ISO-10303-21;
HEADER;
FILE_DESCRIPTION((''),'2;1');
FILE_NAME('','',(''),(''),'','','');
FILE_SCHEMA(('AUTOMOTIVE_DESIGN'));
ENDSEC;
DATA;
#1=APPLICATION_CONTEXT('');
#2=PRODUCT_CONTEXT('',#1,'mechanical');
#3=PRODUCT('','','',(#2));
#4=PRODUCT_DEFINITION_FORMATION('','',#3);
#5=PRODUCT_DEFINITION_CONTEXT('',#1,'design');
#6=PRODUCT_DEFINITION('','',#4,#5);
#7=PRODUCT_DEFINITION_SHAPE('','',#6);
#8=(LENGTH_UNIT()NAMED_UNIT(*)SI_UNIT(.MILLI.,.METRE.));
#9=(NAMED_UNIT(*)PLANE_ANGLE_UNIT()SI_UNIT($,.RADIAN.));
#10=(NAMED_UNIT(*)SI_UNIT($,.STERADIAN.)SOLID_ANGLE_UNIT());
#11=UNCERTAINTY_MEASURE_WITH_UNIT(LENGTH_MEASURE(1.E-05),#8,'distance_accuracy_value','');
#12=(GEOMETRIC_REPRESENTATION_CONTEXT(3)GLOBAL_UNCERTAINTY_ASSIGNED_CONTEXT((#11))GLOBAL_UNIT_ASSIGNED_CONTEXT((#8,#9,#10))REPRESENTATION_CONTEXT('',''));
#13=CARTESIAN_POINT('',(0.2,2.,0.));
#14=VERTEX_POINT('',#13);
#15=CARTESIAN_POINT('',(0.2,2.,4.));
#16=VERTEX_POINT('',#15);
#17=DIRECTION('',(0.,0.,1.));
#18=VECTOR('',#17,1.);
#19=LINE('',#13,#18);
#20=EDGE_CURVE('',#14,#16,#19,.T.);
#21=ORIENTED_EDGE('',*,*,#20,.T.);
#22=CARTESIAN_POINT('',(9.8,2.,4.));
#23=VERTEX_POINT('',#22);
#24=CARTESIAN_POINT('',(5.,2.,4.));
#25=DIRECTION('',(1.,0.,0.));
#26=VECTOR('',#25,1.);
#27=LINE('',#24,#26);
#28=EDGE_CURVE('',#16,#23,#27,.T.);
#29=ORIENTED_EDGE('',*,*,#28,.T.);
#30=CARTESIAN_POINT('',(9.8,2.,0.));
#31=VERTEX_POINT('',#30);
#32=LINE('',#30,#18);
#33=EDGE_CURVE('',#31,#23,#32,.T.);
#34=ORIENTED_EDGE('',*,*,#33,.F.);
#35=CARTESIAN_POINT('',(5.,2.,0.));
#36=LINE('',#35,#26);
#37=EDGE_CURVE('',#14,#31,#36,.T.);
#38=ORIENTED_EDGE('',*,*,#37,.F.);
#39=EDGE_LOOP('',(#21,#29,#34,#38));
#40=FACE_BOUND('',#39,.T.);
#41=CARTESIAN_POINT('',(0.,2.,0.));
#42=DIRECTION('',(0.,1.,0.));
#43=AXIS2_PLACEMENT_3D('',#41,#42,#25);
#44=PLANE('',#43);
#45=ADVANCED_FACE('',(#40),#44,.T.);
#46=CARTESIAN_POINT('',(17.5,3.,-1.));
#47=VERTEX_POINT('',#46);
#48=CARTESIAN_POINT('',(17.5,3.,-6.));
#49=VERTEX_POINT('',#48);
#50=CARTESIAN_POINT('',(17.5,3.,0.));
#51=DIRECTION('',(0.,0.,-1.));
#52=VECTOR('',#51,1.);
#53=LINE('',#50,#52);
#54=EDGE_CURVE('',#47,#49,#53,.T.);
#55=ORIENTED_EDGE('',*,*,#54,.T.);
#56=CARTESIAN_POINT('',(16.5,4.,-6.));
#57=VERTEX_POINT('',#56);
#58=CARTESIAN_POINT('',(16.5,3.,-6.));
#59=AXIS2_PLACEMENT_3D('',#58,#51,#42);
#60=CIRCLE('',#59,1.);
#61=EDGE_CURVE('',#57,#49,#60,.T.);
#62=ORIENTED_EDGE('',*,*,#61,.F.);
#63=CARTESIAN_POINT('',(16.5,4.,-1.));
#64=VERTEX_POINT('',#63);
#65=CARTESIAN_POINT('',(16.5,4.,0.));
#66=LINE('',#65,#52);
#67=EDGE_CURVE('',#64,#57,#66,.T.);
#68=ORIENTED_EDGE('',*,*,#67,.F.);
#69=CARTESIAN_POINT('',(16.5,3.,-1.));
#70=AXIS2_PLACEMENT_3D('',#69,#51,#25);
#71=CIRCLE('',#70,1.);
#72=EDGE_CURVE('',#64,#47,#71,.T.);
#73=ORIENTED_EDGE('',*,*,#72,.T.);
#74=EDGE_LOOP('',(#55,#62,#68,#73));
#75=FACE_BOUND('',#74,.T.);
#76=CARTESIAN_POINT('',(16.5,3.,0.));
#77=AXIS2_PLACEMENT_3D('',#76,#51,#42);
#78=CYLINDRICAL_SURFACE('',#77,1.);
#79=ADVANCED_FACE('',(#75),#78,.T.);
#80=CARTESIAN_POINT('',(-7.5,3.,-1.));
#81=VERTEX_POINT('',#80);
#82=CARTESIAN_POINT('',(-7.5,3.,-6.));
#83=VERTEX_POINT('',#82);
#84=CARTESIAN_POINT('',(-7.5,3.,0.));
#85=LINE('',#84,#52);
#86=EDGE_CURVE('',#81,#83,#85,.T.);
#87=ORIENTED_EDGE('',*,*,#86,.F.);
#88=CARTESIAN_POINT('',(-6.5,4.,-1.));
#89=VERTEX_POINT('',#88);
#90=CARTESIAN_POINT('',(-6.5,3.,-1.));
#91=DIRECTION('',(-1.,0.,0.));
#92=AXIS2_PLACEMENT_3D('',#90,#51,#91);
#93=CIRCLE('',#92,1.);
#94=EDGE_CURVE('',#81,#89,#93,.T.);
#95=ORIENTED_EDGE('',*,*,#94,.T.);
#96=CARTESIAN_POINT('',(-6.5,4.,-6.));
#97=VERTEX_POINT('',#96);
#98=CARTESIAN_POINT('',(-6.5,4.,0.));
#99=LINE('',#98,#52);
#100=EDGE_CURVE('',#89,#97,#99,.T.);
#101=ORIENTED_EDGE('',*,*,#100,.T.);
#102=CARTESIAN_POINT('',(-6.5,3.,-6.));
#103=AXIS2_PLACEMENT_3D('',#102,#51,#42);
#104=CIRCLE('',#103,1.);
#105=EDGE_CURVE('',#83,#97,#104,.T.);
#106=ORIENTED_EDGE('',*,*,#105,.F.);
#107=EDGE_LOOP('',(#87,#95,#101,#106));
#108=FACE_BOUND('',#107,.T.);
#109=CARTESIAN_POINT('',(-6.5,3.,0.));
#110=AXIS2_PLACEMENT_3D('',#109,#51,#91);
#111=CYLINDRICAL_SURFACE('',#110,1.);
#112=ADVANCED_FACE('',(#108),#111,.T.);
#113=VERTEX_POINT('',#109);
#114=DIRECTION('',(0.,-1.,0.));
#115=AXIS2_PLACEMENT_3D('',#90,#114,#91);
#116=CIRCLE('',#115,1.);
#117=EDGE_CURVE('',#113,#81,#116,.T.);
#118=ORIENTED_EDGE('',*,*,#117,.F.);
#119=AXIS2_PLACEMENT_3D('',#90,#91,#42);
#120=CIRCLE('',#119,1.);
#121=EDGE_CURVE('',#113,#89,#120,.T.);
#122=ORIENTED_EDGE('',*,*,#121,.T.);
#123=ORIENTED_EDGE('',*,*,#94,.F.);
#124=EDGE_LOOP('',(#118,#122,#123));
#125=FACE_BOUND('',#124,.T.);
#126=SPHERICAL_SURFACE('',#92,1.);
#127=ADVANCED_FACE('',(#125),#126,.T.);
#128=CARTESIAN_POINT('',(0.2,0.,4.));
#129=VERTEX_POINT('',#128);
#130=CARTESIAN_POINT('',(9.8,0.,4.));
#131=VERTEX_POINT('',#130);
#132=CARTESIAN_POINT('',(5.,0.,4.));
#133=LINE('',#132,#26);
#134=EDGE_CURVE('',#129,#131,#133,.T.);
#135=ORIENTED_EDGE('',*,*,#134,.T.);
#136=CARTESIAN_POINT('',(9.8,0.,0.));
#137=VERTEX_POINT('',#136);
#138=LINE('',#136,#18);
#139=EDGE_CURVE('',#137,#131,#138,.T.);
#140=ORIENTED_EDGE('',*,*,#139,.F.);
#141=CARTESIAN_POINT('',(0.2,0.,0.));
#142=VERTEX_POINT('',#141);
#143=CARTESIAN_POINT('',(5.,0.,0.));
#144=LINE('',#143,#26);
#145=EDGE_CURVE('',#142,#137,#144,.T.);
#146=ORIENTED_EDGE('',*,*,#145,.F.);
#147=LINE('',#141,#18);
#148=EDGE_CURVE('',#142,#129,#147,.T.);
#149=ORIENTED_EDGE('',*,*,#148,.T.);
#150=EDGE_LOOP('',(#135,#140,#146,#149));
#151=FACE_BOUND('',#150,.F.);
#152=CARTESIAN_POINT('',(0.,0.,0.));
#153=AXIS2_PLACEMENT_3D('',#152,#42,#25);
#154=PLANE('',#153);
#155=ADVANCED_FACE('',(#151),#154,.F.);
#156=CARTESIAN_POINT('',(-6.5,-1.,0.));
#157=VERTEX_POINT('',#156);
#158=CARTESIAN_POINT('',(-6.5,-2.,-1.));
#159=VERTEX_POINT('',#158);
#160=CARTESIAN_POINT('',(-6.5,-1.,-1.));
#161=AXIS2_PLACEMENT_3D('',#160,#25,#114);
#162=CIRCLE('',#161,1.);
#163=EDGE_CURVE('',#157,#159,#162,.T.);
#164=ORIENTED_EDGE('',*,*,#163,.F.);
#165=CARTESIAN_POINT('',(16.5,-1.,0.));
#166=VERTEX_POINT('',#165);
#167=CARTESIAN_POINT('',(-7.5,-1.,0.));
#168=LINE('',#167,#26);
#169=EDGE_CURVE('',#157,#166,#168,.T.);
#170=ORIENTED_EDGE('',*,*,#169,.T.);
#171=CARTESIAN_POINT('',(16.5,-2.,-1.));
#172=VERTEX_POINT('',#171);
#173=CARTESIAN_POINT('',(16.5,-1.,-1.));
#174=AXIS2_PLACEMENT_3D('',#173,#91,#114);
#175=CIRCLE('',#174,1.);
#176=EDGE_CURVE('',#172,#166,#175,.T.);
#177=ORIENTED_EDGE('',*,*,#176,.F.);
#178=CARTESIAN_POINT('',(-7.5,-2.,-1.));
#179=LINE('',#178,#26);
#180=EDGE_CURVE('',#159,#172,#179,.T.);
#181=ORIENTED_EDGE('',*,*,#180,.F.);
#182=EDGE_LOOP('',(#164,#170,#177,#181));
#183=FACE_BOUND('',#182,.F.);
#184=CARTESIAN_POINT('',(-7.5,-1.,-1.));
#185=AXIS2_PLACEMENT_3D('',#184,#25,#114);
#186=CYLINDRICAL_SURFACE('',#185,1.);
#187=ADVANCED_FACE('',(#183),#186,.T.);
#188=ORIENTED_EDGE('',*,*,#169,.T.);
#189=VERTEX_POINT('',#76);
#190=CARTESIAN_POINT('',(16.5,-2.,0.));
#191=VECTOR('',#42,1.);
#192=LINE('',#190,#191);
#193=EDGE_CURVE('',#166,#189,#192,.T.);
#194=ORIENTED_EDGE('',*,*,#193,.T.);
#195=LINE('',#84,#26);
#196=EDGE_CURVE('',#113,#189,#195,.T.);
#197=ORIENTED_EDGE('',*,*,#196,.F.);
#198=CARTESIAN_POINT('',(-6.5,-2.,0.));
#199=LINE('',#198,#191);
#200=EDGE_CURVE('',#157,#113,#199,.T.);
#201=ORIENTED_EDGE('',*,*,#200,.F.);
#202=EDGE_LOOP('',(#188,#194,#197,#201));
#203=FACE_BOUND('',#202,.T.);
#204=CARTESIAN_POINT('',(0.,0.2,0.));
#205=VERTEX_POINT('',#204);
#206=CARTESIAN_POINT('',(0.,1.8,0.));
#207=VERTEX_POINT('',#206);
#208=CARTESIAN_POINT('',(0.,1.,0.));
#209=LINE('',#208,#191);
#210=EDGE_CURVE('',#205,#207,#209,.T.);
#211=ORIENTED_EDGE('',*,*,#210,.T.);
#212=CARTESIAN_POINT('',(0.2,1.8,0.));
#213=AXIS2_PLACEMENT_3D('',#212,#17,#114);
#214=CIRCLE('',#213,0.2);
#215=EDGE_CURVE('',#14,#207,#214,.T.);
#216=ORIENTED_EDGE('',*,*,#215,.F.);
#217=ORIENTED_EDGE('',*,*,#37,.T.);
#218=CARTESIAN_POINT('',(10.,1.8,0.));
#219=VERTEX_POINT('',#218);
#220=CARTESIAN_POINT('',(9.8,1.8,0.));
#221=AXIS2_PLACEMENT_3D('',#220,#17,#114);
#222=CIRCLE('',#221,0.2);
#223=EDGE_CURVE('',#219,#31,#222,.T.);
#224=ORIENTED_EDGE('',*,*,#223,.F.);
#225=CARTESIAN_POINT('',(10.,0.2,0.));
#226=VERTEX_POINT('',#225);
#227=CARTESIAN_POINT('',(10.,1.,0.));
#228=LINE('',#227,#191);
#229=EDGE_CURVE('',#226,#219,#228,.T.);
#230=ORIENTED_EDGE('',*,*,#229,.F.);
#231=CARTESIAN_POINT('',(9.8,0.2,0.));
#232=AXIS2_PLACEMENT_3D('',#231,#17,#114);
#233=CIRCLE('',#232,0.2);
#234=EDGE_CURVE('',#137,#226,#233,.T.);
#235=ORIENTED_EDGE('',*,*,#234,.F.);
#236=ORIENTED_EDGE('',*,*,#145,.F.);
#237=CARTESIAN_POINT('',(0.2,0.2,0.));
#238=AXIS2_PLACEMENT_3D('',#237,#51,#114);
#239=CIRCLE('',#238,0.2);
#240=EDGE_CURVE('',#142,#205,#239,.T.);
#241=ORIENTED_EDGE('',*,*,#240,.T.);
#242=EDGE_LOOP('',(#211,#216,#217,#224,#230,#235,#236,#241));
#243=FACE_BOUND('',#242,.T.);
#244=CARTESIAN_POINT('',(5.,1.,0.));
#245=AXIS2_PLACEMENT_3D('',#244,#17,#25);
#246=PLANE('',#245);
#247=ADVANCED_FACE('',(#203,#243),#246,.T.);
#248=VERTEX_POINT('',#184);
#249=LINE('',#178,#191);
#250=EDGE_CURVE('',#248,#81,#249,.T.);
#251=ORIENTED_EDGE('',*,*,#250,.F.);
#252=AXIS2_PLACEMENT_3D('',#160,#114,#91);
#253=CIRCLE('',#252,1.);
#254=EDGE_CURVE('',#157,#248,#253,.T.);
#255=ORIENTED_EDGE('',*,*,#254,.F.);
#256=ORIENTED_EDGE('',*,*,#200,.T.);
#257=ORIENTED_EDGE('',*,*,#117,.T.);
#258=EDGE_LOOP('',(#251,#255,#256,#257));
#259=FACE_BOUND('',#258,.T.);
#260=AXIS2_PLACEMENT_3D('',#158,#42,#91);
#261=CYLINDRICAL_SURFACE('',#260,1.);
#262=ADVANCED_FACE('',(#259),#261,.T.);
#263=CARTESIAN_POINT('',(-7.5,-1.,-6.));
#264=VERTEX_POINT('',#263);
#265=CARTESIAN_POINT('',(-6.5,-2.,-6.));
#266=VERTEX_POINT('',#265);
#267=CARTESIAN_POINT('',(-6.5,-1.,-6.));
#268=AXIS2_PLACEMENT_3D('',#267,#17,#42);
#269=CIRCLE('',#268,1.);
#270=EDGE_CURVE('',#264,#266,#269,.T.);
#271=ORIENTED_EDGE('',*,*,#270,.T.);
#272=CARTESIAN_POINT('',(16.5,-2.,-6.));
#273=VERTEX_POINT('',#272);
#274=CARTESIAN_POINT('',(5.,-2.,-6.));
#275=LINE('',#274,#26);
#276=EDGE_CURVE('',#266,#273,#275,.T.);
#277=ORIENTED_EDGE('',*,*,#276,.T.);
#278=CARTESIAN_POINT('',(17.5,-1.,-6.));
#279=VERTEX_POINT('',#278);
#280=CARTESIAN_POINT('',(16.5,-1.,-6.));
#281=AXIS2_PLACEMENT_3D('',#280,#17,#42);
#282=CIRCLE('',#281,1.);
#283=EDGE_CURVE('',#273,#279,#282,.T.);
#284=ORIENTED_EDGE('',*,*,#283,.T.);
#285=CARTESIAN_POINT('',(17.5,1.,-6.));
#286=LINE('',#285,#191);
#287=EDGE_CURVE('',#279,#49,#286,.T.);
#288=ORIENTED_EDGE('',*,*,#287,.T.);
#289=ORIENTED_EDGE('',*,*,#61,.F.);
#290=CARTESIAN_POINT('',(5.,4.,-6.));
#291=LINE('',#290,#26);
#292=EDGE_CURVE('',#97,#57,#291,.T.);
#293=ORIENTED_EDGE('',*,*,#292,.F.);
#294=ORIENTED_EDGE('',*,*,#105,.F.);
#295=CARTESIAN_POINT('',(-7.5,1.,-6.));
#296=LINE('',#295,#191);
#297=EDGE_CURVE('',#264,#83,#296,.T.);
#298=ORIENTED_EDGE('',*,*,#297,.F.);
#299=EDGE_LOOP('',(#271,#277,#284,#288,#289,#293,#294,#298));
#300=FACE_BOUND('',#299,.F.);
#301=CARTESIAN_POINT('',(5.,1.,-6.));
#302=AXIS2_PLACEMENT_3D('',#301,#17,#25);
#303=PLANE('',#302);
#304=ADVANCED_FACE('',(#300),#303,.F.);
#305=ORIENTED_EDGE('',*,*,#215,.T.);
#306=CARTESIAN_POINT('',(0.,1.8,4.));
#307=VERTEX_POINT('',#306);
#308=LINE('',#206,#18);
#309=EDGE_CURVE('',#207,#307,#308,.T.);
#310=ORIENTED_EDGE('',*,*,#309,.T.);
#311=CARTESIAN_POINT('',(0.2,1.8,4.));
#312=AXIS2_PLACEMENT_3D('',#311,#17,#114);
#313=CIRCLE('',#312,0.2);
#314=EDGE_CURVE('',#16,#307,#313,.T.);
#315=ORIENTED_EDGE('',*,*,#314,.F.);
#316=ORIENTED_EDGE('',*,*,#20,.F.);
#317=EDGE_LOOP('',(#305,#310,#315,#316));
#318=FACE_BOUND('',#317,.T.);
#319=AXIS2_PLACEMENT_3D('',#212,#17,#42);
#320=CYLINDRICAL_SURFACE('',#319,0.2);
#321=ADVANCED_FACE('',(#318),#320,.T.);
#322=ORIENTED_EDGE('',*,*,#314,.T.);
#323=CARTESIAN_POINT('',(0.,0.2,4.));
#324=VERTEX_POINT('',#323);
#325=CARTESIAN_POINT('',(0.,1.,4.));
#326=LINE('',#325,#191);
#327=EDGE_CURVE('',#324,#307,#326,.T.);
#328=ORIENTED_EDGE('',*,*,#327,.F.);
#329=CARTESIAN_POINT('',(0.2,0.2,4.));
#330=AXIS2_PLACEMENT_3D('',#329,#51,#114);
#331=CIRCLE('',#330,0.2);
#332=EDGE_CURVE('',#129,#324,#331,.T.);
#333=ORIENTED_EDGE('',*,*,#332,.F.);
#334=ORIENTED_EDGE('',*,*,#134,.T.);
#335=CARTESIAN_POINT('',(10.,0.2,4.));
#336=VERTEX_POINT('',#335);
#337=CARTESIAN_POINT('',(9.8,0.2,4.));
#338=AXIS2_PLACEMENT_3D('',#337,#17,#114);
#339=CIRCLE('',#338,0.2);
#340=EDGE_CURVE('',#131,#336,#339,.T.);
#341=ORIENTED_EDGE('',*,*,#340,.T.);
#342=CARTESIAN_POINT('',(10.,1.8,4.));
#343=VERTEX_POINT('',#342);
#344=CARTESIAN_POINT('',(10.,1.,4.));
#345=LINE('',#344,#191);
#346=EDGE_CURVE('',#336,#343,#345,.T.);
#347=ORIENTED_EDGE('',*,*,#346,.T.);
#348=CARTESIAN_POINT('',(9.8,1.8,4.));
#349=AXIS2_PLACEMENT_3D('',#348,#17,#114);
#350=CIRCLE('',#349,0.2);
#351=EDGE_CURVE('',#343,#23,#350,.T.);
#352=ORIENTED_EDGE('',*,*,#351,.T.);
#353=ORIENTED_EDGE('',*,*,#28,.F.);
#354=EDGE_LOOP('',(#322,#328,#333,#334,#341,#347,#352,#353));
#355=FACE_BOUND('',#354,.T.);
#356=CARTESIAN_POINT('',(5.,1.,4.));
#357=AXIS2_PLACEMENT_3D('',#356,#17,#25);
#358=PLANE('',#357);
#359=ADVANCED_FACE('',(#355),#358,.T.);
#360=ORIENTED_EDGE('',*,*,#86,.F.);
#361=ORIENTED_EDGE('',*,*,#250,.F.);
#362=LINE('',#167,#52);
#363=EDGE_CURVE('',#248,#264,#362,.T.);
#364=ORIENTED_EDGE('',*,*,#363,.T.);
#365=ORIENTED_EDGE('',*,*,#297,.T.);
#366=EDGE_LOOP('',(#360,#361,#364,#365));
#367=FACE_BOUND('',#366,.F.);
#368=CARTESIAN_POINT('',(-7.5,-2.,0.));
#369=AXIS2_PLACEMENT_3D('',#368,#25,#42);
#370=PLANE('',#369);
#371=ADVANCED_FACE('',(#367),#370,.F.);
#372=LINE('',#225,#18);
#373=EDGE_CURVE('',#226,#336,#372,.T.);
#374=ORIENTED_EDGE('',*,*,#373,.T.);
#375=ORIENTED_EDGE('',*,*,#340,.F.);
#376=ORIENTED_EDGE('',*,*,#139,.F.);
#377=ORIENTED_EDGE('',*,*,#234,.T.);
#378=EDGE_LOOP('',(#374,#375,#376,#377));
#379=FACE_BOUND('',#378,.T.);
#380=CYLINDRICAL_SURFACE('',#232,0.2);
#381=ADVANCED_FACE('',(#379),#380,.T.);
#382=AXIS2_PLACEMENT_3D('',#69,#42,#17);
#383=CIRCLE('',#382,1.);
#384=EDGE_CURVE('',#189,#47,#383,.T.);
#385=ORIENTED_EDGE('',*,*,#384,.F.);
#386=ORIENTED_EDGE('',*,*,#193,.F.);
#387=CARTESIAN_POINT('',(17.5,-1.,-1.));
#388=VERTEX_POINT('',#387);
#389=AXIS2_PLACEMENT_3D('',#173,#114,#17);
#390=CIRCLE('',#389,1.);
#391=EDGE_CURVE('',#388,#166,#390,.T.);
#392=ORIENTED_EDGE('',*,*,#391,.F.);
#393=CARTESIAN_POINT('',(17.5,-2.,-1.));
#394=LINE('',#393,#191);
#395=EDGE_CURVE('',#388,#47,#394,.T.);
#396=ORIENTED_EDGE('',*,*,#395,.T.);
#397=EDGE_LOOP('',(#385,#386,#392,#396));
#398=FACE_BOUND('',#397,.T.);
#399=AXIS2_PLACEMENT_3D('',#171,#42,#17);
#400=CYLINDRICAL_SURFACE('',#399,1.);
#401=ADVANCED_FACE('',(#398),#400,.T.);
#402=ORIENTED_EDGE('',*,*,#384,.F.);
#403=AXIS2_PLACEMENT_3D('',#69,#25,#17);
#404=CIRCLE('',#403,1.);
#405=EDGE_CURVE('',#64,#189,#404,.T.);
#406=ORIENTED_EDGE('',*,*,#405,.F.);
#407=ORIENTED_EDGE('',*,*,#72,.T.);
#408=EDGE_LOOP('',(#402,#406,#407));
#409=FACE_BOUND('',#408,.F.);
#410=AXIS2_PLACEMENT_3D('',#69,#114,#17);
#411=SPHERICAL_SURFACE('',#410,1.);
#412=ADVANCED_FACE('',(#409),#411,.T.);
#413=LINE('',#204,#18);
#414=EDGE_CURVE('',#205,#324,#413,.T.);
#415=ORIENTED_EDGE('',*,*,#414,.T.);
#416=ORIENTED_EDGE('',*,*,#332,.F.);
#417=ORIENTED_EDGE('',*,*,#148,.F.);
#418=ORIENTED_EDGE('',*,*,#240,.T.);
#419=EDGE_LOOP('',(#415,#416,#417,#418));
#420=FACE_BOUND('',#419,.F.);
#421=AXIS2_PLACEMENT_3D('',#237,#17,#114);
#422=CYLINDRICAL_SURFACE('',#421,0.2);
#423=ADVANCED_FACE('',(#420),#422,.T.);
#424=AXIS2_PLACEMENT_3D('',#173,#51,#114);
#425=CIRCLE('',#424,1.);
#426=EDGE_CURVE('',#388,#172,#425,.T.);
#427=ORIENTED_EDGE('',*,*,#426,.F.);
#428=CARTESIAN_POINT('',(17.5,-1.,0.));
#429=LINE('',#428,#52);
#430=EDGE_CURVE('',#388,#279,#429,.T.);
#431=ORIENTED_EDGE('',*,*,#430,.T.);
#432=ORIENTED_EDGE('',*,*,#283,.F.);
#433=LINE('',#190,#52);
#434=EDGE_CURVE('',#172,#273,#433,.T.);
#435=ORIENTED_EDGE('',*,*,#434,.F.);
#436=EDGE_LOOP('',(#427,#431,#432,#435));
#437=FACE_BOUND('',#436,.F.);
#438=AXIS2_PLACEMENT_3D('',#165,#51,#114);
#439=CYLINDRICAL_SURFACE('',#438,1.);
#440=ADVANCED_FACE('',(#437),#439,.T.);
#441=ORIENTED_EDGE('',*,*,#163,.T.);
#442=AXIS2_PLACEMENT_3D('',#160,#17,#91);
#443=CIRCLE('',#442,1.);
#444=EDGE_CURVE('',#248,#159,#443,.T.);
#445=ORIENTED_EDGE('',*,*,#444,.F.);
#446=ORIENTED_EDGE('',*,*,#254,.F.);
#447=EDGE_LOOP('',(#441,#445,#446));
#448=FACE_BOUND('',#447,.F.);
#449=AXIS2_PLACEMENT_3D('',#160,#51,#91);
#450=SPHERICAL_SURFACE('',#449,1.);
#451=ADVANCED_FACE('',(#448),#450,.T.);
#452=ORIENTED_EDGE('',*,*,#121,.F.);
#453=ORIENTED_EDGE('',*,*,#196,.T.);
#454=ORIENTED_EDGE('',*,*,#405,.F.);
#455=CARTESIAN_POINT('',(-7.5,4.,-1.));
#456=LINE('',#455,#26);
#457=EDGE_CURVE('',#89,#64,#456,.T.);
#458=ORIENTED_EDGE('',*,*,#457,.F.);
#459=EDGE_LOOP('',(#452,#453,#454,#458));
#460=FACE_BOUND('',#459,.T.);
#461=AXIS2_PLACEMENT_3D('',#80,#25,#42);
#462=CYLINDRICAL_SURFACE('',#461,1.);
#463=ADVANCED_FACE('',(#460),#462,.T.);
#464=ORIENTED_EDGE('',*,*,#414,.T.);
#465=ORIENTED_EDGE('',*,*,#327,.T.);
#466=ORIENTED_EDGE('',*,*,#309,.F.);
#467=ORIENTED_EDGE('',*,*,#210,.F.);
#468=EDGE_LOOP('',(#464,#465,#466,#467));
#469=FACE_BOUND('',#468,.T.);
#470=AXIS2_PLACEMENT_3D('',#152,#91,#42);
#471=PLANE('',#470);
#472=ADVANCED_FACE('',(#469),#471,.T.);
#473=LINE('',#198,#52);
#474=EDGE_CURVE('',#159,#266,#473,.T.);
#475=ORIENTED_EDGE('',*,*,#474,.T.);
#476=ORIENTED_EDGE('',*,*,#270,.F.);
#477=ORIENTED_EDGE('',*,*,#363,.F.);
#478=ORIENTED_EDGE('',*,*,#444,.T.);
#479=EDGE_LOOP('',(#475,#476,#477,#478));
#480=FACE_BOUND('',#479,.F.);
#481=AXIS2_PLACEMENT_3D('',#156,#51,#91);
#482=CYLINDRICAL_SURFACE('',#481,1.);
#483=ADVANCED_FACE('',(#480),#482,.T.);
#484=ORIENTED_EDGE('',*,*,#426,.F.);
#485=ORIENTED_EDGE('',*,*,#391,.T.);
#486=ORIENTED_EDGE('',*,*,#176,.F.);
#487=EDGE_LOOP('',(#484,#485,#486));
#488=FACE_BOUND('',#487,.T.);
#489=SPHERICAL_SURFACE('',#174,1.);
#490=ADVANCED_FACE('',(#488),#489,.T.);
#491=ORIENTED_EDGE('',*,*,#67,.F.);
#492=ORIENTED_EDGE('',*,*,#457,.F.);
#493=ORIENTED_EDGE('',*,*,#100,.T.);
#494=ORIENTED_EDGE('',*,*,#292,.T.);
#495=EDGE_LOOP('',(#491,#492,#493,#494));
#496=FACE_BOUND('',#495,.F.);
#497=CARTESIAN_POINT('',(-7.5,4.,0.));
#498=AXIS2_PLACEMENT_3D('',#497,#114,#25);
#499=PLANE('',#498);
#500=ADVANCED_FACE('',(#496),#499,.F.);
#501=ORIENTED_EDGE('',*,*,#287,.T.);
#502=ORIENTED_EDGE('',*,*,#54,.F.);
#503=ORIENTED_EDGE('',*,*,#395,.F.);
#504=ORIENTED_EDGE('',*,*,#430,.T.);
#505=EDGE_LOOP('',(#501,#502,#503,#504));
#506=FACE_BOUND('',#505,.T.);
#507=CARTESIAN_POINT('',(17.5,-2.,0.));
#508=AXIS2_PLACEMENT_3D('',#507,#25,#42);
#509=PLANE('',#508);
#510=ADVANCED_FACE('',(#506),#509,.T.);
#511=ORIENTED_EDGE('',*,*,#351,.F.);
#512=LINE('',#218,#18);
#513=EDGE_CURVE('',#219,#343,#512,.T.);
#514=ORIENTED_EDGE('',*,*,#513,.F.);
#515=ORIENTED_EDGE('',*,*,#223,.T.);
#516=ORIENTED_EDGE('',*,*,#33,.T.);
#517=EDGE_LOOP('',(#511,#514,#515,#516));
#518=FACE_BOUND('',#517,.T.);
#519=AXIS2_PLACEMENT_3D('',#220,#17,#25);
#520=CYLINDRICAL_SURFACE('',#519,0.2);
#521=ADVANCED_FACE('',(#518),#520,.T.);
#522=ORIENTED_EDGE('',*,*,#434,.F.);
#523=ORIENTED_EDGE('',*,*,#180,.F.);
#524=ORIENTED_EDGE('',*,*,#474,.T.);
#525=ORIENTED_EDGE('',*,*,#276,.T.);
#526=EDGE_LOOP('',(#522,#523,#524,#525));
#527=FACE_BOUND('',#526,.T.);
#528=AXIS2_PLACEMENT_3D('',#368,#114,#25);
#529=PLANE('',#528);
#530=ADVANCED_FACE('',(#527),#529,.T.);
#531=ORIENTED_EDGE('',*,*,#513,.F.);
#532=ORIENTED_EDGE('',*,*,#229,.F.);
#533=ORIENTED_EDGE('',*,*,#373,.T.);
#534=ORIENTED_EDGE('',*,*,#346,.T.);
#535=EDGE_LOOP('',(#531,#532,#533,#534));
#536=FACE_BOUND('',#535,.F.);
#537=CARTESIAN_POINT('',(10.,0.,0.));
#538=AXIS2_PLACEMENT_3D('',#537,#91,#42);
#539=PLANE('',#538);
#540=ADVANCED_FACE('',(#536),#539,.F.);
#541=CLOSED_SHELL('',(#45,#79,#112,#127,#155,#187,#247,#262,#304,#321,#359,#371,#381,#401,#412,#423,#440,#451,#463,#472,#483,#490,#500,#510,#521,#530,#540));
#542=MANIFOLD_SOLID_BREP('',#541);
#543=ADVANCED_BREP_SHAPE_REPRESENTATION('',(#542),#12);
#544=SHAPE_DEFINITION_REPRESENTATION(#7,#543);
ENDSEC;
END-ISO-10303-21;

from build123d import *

# Parameters (mm, degrees)
SKETCH_W     = 10
SKETCH_H     = 2
PAD_DEPTH    = 4
SKETCH001_W  = 25
SKETCH001_H  = 6
PAD001_DEPTH = 6
FILLET_R     = 1
FILLET001_R  = 0.2


with BuildPart() as part:
    # Sketch → Pad (new body)
    with BuildSketch(Plane.XY):
        with Locations((5, 1)):
            Rectangle(SKETCH_W, SKETCH_H)
    extrude(amount=PAD_DEPTH)

    # Sketch001 → Pad001 (join)
    with BuildSketch(Plane.XY):
        with Locations((5, 1)):
            Rectangle(SKETCH001_W, SKETCH001_H)
    extrude(amount=-PAD001_DEPTH)

    # Fillet
    fillet_edges = [part.edges().sort_by_distance(p)[0] for p in [
        (-7.5, -2, -3),
        (-7.5, 4, -3),
        (-7.5, 1, 0),
        (5, -2, 0),
        (17.5, -2, -3),
        (17.5, 1, 0),
        (5, 4, 0),
        (17.5, 4, -3),
    ]]
    fillet(fillet_edges, radius=FILLET_R)

    # Fillet001
    fillet001_edges = [part.edges().sort_by_distance(p)[0] for p in [
        (10, 0, 2),
        (10, 2, 2),
        (0, 0, 2),
        (0, 2, 2),
    ]]
    fillet(fillet001_edges, radius=FILLET001_R)


solid = part.part
